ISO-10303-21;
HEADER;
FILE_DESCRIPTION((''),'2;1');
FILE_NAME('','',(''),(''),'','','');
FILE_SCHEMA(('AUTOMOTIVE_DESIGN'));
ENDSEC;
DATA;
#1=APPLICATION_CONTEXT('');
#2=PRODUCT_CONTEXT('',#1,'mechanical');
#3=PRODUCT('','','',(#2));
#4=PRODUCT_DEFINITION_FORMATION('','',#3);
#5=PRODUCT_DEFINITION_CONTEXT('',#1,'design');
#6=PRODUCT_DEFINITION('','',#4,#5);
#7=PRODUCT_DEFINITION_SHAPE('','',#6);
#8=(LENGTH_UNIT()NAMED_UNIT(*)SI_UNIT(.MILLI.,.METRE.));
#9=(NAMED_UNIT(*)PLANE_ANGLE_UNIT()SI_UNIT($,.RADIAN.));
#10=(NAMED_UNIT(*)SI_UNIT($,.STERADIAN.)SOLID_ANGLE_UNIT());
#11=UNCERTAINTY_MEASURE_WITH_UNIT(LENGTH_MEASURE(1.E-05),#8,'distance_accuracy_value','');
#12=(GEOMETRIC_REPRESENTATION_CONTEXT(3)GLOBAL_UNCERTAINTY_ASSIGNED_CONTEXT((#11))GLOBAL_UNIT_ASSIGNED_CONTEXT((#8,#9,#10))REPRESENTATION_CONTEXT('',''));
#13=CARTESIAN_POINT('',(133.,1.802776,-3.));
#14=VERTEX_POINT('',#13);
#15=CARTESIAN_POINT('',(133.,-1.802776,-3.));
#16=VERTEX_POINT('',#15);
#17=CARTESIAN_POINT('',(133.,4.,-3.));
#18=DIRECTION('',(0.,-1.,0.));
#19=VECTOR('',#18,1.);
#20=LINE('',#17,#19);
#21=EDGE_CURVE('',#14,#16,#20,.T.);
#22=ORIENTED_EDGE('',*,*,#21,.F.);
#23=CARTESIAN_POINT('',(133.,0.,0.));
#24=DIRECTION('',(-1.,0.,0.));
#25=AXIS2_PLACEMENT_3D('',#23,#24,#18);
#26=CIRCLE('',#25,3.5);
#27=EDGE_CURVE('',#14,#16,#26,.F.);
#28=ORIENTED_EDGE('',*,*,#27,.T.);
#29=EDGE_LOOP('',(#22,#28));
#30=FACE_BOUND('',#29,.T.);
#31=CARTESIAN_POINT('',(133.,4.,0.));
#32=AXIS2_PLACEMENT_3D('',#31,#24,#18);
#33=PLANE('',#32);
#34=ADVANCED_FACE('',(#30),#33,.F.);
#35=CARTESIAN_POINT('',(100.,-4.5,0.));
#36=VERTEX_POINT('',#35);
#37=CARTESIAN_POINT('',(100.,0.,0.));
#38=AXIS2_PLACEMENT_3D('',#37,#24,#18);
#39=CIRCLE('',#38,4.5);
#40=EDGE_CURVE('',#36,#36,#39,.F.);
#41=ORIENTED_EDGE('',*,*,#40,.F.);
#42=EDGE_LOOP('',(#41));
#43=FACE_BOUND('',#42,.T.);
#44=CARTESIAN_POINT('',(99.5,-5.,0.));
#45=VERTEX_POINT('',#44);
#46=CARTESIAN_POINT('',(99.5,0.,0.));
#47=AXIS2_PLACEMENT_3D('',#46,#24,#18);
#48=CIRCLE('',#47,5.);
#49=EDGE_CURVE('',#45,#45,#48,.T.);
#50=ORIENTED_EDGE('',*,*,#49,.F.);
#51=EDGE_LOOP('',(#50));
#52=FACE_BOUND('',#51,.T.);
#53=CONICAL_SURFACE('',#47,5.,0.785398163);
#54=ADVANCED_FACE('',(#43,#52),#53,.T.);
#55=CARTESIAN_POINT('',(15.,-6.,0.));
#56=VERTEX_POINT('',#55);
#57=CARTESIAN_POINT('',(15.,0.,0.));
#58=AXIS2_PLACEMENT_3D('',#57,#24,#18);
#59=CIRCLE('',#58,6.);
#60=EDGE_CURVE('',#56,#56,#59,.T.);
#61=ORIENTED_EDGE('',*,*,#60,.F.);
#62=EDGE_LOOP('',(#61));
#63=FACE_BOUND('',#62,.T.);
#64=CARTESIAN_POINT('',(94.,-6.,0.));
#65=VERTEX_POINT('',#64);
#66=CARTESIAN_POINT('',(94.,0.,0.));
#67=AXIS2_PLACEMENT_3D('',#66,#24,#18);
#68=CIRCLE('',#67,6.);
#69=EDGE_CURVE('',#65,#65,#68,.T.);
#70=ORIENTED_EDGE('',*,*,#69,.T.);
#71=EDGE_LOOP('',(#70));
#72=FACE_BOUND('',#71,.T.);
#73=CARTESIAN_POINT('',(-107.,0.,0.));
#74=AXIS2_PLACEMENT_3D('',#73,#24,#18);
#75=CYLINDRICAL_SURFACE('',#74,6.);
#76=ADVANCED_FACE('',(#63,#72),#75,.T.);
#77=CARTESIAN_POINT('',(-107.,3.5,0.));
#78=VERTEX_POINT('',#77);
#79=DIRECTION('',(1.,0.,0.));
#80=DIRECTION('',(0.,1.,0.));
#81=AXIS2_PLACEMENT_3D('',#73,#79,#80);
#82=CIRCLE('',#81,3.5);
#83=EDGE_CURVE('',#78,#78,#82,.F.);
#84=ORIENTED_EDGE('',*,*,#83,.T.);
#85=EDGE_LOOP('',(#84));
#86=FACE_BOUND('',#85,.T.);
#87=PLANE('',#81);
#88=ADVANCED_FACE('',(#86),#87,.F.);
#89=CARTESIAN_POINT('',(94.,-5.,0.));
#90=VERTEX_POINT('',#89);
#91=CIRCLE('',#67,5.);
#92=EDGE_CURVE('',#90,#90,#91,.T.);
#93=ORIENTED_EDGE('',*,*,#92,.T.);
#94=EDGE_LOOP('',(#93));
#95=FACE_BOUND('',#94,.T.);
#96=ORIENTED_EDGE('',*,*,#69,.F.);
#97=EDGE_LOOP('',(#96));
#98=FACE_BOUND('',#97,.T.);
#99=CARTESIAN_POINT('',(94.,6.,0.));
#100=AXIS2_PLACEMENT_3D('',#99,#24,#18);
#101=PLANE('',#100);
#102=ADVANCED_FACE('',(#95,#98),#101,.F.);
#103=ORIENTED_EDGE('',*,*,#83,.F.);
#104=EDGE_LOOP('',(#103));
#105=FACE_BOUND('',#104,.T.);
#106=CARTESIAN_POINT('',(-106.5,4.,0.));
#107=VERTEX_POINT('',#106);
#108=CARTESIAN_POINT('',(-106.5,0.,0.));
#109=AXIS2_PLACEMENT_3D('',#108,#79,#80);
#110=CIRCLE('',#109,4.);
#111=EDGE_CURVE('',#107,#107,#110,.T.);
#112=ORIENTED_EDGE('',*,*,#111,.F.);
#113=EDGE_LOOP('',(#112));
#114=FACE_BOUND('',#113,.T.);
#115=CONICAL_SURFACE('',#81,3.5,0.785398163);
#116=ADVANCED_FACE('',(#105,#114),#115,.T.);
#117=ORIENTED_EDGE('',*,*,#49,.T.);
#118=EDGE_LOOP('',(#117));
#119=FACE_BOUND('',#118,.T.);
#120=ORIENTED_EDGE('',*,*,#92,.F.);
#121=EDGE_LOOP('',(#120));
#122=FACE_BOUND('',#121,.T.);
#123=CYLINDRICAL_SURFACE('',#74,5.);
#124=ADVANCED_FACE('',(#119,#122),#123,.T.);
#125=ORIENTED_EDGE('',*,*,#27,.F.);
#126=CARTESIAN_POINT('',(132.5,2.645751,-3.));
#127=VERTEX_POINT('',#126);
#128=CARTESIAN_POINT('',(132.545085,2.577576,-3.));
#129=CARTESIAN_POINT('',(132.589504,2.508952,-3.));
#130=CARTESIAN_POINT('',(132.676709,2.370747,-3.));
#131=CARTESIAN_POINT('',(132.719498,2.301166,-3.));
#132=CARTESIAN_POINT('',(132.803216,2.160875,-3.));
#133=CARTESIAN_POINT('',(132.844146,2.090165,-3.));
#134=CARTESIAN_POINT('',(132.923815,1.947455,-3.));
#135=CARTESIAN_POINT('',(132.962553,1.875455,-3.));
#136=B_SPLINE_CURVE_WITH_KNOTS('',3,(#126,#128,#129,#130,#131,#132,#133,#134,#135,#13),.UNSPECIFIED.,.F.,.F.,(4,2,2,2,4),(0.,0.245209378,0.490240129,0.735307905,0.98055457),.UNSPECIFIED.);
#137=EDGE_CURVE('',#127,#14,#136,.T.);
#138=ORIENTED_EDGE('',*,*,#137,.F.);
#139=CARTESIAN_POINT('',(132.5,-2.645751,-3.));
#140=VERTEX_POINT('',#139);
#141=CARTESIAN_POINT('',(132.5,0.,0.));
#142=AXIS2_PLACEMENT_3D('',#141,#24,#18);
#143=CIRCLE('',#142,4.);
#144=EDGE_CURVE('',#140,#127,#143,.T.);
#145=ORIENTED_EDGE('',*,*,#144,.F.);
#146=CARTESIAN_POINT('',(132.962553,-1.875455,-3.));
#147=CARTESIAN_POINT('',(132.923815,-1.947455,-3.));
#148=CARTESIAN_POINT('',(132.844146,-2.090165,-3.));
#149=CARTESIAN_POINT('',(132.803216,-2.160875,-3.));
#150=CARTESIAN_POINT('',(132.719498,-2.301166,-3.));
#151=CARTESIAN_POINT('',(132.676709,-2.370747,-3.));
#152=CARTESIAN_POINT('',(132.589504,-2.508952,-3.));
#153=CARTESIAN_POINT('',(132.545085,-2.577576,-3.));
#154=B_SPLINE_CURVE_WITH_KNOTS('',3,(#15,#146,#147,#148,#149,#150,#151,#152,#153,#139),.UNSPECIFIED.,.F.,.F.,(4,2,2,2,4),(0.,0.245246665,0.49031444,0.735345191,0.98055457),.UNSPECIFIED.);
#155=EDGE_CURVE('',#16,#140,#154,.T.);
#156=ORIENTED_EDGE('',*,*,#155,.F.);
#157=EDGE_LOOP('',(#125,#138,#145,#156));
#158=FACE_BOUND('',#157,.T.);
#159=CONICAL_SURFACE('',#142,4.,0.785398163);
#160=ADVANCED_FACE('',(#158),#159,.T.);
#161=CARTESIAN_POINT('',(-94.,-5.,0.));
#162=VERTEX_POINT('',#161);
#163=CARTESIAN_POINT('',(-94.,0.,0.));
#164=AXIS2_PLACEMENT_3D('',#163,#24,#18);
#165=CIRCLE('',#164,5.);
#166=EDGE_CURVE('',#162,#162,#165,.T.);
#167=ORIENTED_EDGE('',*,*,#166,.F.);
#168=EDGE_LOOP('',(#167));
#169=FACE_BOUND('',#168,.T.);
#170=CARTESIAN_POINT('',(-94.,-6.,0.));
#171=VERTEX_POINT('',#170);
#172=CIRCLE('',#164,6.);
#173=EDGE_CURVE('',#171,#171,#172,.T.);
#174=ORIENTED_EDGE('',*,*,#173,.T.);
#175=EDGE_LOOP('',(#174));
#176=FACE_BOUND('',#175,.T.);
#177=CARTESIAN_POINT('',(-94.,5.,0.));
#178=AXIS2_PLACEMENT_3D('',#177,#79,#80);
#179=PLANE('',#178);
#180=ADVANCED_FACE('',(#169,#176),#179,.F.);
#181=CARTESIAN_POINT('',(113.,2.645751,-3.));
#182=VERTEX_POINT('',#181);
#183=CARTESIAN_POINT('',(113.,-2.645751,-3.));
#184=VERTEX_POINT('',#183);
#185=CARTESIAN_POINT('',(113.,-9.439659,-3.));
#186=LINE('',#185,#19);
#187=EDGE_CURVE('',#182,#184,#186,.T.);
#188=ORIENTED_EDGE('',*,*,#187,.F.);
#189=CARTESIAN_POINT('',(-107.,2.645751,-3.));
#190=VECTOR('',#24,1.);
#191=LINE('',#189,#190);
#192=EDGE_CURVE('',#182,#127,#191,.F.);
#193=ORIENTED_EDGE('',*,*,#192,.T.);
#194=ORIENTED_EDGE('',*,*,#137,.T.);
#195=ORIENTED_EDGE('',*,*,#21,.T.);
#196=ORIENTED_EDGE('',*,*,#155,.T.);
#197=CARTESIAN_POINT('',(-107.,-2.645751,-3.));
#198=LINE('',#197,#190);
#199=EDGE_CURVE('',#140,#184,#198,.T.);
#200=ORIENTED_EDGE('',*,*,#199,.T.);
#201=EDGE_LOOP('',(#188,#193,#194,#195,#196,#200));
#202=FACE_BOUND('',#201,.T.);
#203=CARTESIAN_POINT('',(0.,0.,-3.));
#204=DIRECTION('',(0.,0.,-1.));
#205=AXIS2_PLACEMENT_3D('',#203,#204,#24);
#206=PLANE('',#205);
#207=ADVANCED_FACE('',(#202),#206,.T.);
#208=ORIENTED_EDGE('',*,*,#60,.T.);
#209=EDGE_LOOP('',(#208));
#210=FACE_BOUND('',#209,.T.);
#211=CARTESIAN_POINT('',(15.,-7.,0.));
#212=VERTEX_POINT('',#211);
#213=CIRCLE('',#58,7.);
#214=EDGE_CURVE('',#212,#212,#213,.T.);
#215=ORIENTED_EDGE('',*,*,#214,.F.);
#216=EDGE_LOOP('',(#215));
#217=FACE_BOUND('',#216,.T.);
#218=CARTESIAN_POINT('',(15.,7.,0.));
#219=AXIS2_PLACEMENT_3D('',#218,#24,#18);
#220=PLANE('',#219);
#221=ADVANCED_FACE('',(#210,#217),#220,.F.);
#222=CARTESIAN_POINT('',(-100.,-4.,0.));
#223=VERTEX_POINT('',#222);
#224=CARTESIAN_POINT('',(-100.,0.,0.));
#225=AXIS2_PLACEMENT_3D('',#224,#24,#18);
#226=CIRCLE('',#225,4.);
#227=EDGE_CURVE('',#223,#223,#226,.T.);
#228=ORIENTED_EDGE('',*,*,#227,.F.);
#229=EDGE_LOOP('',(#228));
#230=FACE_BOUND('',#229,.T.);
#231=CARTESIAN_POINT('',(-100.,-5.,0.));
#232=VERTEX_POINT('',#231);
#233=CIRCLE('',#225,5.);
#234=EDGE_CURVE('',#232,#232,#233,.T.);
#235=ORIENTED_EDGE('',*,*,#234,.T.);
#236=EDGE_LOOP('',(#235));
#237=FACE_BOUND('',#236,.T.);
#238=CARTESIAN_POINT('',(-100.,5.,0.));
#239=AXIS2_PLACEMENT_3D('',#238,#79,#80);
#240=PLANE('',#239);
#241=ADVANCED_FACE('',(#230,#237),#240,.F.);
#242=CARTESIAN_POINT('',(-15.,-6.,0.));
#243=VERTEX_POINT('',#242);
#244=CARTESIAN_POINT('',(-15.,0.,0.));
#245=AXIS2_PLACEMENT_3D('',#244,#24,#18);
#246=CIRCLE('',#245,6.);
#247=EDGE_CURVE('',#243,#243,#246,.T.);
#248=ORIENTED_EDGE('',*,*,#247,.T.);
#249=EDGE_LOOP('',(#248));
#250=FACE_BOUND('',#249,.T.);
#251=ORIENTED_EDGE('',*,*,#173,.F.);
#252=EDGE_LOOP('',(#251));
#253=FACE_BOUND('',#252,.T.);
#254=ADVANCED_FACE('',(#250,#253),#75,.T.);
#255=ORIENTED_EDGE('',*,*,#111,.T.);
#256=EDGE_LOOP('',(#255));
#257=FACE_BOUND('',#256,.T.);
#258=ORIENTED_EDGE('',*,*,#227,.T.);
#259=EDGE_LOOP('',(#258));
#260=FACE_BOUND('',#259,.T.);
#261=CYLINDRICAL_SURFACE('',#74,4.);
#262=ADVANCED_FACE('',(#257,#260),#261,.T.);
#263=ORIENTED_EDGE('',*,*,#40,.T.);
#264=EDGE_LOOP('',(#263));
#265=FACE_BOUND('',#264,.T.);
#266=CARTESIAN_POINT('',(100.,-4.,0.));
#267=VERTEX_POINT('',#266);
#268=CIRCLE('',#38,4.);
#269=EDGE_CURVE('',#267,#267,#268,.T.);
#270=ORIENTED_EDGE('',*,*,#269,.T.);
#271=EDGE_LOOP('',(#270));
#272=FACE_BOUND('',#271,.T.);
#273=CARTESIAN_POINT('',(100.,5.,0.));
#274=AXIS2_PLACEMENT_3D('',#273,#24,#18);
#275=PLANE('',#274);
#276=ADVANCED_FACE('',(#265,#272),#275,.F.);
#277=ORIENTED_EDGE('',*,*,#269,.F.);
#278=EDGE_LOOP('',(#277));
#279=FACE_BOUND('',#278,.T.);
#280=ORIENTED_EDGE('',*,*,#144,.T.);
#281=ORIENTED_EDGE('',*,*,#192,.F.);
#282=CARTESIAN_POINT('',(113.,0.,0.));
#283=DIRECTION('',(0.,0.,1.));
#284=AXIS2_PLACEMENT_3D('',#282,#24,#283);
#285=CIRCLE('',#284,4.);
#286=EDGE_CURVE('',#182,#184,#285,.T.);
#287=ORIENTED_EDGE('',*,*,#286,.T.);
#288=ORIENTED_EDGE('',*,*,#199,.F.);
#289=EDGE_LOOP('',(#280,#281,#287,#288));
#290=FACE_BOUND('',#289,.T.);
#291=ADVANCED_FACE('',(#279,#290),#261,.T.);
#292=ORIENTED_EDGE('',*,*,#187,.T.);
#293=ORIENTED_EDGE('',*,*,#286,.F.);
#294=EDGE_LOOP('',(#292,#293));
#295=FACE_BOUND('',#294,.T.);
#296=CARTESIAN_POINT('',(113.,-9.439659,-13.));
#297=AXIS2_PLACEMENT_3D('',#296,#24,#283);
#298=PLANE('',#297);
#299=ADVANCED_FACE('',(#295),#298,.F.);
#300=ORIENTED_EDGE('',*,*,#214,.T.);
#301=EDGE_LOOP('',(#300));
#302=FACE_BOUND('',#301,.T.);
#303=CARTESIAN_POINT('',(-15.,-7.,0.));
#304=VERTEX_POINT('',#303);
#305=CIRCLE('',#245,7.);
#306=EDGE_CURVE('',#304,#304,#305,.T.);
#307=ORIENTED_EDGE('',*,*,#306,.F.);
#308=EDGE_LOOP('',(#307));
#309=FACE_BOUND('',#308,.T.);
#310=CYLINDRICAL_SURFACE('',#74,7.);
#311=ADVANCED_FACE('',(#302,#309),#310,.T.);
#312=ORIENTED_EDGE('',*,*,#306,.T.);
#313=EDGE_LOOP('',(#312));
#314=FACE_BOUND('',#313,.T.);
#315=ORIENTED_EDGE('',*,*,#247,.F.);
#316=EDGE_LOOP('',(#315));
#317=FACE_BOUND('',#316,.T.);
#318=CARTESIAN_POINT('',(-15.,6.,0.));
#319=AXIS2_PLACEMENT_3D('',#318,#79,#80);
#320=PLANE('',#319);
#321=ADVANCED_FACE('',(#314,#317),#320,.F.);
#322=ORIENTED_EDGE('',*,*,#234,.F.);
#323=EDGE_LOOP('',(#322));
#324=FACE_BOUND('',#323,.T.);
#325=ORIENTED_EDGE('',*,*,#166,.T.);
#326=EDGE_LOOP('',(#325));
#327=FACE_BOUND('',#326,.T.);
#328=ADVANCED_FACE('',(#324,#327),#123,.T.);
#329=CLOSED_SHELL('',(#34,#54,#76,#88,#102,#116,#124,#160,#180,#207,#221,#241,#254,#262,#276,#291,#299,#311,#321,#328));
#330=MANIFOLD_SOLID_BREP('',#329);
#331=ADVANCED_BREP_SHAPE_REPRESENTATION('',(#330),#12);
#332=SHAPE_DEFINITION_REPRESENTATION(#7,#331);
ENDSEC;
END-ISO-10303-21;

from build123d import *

# Parameters (mm, degrees)
SKETCH_2_W          = 25.545670962
SKETCH_2_H          = 18.659121507
CUT_EXTRUDE_1_DEPTH = 10
CHAMFER_1_SIZE      = 0.5


with BuildPart() as part:
    # 草图1 → 旋转1 (revolve)
    with BuildSketch(Plane.XY):
        Polygon((-107, 0), (-107, 4), (-100, 4), (-100, 5), (-94, 5), (-94, 6), (-15, 6), (-15, 7), (15, 7), (15, 6), (94, 6), (94, 5), (100, 5), (100, 4), (133, 4), (133, 0), align=None)
    revolve(axis=Axis((-107, 0, 0), (1, 0, 0)))

    # 草图2 → 切除-拉伸1 (cut)
    with BuildSketch(Plane.XY.offset(-3)):
        with Locations((125.772835481, -0.110098382)):
            Rectangle(SKETCH_2_W, SKETCH_2_H)
    extrude(amount=-CUT_EXTRUDE_1_DEPTH, mode=Mode.SUBTRACT)

    # 倒角1
    chamfer_1_edges = [part.edges().sort_by_distance(p)[0] for p in [
        (100, -5, 0),
        (-107, -4, 0),
        (133, -1.645751311, 3.645751311),
    ]]
    chamfer(chamfer_1_edges, length=CHAMFER_1_SIZE)


solid = part.part
